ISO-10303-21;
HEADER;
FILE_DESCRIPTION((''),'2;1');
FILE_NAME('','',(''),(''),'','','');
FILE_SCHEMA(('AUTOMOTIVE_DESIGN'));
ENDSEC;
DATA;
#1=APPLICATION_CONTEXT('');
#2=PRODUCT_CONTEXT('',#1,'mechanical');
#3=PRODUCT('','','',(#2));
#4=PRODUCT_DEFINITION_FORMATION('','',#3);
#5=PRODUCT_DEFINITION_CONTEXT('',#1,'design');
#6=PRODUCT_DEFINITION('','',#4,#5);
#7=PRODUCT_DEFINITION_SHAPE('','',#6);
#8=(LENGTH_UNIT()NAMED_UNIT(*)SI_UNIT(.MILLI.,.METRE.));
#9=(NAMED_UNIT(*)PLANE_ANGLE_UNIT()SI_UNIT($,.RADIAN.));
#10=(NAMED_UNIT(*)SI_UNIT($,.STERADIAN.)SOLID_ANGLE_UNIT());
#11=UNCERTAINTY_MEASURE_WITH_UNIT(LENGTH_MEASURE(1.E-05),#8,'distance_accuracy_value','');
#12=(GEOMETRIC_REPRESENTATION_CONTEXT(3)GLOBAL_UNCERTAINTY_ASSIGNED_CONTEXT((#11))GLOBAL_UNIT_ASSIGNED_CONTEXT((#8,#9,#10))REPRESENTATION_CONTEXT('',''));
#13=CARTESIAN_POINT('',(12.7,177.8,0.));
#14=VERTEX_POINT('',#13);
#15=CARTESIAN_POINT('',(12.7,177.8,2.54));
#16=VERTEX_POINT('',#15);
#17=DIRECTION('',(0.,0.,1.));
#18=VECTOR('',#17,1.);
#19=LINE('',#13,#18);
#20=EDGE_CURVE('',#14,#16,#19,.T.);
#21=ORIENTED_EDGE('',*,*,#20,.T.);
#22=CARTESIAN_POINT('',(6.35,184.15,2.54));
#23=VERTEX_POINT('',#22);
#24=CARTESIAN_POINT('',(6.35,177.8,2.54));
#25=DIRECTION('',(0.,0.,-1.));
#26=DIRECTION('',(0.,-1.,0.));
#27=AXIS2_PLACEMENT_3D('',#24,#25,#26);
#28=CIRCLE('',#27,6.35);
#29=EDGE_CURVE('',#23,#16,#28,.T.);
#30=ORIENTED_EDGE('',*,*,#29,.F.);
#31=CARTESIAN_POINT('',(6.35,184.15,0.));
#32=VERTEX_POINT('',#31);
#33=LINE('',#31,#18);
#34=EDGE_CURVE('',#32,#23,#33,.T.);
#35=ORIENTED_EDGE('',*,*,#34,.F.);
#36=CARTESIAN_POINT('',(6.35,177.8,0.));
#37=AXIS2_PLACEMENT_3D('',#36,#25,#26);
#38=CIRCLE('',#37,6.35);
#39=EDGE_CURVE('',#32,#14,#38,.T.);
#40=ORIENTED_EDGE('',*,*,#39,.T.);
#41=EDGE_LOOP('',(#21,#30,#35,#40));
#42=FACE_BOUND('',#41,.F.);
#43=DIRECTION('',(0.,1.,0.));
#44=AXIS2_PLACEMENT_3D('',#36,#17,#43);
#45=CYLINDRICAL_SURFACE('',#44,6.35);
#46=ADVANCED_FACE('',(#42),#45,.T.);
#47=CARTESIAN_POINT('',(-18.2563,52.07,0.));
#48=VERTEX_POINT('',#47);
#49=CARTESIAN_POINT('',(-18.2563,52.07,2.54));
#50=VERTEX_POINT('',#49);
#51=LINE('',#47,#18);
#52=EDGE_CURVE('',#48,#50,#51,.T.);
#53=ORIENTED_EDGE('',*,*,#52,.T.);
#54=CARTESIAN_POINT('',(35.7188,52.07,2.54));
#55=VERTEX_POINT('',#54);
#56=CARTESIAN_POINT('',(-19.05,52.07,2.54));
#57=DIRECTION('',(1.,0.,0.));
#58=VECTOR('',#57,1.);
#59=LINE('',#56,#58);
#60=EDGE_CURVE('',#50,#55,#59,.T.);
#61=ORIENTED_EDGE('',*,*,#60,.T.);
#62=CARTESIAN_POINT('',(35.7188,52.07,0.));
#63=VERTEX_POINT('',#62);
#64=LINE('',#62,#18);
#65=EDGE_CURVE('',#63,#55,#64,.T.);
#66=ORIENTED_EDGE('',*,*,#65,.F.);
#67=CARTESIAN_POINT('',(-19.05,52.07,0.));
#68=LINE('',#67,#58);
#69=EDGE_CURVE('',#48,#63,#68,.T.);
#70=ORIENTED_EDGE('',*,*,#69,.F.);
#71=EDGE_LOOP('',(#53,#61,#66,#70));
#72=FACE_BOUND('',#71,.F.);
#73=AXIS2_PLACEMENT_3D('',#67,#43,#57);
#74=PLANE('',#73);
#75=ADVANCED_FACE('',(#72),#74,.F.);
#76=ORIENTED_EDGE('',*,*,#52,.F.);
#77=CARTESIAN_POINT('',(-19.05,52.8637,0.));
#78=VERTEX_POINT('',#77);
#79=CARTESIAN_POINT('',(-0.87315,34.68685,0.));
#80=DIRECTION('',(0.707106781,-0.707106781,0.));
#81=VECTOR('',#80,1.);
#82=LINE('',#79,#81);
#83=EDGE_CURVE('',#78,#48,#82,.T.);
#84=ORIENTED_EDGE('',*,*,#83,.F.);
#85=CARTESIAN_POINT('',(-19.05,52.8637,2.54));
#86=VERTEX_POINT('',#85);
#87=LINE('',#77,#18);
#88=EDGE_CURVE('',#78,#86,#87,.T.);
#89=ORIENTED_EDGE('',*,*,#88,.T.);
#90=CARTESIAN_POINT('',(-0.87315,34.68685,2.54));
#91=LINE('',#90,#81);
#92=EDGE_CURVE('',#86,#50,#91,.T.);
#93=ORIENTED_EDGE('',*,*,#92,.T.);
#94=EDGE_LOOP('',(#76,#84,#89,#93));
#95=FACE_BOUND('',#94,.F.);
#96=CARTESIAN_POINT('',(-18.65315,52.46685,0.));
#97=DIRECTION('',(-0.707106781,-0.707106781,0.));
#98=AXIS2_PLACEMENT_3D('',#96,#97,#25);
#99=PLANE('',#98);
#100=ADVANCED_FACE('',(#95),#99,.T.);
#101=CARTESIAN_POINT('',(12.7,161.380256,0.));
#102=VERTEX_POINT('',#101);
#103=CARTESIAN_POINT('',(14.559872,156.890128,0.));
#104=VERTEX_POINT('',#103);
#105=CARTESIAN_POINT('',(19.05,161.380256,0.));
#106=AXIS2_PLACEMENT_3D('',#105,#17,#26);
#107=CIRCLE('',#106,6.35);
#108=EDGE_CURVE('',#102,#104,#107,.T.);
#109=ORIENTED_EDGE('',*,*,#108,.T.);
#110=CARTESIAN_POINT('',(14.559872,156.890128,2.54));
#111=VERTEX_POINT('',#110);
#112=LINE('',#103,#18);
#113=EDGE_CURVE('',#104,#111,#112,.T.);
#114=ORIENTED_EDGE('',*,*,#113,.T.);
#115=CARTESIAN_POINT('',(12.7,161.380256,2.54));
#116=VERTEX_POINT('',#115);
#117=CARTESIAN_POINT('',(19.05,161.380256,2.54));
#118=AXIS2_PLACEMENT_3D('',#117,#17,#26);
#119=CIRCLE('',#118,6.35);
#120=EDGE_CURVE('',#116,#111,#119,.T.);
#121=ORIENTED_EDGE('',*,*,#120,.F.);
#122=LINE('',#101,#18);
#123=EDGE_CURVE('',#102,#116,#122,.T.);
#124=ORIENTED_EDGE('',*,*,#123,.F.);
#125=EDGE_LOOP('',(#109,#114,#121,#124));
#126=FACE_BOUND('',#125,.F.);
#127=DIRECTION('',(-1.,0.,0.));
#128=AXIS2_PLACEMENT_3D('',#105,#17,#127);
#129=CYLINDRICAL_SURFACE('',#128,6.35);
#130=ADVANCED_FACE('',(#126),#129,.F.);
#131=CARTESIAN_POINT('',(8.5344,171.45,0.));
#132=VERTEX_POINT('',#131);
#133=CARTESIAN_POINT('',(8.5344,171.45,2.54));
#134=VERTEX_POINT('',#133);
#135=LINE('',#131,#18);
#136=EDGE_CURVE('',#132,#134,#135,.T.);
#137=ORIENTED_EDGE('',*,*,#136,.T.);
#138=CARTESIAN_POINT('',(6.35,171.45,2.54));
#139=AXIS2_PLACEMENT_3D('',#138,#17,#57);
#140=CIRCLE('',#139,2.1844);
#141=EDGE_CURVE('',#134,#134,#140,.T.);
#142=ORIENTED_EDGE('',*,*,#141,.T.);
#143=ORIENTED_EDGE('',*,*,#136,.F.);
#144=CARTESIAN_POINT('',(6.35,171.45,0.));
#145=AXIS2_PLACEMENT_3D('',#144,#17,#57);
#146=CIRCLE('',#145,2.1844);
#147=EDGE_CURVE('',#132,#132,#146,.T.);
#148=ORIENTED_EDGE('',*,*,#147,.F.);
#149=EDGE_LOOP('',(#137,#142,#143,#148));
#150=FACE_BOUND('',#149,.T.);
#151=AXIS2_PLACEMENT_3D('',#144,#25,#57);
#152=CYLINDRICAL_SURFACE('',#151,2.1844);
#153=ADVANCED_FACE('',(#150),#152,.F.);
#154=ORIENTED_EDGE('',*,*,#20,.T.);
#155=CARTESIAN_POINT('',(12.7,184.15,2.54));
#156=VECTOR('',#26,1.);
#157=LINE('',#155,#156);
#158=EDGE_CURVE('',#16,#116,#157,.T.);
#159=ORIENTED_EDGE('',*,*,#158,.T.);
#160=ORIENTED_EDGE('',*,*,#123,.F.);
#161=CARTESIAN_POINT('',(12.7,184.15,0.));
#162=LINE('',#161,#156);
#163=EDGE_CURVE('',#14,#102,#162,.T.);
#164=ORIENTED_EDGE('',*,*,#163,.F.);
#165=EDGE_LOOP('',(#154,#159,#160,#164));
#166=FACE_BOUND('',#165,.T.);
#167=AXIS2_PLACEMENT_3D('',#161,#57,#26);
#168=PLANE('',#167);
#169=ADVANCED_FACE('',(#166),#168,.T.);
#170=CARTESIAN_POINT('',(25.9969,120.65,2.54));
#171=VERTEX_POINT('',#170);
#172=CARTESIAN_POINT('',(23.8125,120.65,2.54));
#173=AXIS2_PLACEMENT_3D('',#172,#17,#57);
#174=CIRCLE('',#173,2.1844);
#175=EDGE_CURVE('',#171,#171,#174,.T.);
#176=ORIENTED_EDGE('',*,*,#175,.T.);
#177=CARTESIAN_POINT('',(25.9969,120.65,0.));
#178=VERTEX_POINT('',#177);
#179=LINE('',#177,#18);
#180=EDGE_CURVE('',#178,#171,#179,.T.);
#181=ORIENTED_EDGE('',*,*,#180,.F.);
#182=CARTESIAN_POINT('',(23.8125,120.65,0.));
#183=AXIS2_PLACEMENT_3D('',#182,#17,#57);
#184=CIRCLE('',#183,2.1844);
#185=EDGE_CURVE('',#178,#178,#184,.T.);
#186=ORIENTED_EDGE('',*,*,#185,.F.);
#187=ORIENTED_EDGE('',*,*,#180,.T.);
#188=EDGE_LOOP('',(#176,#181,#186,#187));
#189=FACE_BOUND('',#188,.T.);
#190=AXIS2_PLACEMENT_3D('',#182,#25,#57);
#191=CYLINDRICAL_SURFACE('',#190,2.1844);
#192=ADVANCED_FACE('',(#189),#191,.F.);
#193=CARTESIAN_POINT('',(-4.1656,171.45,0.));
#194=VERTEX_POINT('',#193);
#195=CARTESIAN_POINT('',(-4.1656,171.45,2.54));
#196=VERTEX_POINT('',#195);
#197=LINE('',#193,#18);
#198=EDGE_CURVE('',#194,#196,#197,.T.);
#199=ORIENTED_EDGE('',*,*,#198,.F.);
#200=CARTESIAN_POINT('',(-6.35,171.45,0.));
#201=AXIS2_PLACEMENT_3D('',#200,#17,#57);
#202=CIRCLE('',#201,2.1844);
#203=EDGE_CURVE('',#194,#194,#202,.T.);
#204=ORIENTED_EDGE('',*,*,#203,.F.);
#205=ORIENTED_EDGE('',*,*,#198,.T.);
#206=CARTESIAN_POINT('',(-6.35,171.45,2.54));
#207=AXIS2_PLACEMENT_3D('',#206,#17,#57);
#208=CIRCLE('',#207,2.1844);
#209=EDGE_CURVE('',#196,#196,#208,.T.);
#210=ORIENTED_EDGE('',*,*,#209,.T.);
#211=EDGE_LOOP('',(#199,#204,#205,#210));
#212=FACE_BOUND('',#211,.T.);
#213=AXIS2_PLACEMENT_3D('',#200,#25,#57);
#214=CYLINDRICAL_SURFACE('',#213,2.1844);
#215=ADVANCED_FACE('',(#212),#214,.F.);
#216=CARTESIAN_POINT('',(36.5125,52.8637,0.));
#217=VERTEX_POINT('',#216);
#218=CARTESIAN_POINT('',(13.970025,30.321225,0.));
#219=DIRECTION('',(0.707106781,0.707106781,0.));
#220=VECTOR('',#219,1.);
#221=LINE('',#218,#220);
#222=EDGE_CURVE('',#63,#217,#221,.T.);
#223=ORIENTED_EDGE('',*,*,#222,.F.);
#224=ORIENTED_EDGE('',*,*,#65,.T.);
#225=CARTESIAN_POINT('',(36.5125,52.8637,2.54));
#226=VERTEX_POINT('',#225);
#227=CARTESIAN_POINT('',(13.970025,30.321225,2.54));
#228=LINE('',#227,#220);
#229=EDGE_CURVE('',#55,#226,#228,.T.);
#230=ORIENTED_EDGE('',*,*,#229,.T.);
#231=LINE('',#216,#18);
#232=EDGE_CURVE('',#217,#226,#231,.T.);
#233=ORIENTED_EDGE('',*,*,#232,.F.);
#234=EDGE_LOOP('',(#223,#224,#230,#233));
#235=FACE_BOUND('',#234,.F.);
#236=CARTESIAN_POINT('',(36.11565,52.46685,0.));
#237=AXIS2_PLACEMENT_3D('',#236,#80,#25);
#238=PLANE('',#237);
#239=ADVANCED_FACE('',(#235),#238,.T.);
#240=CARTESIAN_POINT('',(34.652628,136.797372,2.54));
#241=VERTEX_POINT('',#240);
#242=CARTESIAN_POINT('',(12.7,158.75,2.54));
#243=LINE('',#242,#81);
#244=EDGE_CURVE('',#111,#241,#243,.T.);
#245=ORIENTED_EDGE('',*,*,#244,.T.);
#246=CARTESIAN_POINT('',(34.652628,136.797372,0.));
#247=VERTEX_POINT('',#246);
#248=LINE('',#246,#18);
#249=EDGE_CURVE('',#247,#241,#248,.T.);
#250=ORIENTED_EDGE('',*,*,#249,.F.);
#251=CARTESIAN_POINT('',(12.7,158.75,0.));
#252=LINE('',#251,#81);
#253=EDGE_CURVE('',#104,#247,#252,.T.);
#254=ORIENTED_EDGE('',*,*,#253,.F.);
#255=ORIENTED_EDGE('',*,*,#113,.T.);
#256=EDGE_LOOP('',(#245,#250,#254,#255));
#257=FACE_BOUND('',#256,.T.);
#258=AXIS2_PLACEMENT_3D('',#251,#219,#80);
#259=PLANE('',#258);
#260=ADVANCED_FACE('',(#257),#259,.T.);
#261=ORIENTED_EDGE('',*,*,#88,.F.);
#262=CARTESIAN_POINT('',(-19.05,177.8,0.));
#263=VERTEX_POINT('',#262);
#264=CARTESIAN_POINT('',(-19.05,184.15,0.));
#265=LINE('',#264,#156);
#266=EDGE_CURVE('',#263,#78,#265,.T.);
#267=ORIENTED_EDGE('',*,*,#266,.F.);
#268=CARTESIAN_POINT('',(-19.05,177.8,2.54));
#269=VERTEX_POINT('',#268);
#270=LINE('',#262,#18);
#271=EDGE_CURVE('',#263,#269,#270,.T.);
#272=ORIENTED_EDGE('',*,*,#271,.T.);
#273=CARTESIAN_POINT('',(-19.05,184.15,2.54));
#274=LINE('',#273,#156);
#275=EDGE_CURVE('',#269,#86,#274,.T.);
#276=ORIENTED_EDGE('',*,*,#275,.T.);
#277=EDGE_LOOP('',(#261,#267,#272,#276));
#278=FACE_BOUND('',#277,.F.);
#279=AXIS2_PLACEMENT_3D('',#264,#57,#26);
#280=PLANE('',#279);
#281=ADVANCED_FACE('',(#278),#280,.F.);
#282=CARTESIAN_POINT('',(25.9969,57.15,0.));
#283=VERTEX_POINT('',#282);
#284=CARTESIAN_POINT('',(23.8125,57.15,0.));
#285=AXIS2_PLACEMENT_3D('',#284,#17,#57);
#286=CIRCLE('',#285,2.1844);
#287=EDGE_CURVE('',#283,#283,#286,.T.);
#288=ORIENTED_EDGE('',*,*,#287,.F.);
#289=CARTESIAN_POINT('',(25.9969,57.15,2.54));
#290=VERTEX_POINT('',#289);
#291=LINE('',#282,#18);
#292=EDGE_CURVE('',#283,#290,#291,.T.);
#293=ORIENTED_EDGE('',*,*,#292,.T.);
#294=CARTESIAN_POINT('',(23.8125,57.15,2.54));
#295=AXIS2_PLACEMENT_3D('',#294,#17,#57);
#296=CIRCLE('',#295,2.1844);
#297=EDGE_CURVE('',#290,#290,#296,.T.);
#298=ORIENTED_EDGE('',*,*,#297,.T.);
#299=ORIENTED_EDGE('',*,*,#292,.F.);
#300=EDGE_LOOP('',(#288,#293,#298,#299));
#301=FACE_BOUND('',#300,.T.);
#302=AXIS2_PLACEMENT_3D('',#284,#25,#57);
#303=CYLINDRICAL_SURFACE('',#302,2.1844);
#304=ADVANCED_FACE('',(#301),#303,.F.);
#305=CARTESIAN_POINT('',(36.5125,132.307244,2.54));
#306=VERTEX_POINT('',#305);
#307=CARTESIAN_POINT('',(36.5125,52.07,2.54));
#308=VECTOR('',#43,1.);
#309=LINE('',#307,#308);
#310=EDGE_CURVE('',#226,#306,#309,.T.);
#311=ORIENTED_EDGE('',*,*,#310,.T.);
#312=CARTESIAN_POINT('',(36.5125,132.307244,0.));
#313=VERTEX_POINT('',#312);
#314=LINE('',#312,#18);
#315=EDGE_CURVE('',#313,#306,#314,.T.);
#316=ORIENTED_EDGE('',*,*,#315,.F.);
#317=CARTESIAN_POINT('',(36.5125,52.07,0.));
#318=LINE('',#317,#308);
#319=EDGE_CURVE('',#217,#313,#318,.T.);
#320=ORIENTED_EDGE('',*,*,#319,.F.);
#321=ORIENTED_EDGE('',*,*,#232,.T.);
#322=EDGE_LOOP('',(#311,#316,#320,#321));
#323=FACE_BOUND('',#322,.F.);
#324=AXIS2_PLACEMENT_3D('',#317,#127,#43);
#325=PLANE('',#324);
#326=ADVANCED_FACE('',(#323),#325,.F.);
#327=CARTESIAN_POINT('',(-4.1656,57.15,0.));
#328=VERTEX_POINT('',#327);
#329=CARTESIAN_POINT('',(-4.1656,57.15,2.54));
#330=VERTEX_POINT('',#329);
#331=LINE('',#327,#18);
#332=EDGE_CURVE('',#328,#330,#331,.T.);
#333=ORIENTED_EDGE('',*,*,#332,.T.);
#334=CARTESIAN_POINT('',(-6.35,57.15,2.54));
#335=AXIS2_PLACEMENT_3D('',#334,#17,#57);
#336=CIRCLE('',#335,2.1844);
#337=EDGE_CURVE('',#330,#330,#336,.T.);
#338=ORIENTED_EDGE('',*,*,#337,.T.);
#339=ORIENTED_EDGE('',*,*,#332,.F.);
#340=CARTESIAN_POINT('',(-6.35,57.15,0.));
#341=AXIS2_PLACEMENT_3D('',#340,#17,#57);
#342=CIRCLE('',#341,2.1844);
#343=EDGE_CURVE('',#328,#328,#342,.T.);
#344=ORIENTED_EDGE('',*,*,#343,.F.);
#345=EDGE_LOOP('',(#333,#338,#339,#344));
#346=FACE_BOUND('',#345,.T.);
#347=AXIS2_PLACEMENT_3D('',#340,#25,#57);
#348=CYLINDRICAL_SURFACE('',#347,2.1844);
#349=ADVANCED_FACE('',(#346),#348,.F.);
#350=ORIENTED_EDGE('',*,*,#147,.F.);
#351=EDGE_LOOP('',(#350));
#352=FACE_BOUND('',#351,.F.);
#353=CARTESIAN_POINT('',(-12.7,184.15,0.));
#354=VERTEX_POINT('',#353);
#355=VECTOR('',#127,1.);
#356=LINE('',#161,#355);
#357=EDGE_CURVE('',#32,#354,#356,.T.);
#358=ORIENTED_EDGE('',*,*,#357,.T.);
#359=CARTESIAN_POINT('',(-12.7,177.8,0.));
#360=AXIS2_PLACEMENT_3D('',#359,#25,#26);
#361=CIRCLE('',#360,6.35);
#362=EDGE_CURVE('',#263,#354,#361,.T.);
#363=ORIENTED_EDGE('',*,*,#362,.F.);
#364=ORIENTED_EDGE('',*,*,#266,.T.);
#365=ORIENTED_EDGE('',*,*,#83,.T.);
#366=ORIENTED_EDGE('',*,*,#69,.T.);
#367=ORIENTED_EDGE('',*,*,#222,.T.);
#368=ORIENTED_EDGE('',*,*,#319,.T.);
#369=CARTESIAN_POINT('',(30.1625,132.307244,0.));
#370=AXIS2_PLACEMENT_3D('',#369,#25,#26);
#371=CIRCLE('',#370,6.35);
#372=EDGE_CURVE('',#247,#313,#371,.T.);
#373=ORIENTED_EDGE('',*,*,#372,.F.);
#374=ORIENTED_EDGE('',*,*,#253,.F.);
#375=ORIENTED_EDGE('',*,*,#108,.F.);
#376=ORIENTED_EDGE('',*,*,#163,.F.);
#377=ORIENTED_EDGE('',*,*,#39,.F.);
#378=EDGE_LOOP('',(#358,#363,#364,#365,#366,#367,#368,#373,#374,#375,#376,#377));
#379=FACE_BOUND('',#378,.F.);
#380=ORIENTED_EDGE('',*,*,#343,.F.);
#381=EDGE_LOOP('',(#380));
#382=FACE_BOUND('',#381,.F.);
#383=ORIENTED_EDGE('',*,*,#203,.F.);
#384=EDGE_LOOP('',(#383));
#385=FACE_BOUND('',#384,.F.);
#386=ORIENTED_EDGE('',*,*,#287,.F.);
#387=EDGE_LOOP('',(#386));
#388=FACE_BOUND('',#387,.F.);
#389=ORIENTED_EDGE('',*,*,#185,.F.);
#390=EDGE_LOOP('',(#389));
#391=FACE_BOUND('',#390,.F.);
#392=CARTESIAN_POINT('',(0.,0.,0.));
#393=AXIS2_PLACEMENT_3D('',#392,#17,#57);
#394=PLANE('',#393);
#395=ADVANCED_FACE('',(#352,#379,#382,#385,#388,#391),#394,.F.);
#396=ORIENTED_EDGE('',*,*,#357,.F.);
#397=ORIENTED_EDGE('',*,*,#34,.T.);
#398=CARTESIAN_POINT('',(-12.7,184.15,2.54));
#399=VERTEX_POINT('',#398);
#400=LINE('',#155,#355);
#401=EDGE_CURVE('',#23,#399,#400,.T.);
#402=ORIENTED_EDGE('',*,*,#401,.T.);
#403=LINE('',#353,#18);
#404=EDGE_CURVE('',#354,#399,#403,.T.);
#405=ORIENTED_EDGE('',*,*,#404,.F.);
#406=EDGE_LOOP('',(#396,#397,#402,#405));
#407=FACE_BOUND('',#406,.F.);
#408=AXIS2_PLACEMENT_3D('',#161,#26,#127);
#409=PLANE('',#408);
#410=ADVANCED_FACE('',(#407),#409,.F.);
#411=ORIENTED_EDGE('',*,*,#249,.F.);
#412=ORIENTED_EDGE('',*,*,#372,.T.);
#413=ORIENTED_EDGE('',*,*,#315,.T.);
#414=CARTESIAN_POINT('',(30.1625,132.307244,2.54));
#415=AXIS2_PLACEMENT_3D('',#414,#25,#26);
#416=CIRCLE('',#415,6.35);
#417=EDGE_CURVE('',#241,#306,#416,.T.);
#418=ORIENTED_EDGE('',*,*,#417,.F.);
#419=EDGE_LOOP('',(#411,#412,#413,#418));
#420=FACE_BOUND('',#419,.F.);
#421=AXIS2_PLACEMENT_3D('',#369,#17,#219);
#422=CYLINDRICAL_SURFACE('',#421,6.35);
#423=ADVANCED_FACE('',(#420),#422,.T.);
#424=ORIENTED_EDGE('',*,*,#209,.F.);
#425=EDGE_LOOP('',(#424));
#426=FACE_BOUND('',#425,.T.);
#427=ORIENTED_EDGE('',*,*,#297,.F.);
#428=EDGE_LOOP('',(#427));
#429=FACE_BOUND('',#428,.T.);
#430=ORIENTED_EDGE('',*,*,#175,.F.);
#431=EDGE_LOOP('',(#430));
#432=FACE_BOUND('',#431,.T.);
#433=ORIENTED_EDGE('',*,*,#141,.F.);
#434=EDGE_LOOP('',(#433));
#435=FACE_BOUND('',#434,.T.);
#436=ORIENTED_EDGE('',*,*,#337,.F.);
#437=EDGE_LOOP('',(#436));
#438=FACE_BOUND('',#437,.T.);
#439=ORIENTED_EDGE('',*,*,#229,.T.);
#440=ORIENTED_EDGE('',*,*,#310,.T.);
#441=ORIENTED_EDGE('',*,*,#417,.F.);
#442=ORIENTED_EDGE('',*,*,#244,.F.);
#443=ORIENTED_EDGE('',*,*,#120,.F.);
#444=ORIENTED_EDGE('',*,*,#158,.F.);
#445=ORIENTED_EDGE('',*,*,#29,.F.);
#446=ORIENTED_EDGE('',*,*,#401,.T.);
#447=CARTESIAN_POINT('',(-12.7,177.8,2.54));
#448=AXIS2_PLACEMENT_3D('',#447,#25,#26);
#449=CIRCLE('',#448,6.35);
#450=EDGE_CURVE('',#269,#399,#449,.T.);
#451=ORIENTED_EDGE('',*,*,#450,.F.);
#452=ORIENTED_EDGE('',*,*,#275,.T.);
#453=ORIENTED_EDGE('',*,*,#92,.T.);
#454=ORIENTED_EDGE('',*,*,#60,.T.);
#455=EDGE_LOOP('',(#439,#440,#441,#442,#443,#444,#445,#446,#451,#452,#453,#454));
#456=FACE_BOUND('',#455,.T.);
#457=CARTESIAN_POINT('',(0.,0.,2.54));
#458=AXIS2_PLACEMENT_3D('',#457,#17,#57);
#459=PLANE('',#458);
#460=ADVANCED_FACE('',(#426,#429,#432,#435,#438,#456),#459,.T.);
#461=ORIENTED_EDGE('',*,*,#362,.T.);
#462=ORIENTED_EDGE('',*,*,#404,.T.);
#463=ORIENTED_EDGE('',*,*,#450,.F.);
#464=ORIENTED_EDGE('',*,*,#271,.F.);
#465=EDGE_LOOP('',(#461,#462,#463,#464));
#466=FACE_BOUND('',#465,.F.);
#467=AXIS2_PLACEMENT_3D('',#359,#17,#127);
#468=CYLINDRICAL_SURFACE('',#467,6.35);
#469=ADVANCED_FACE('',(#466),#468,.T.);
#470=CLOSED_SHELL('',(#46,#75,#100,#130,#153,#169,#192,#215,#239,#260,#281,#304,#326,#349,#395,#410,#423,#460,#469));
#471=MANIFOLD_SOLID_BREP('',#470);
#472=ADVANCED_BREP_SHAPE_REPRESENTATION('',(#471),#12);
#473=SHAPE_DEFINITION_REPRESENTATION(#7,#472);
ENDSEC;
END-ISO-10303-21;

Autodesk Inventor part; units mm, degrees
ref_plane "YZ Plane" through (0, 0, 0) normal (1, 0, 0) x (0, 1, 0)
ref_plane "XZ Plane" through (0, 0, 0) normal (0, 1, 0) x (-1, 0, 0)
ref_plane "XY Plane" through (0, 0, 0) normal (0, 0, 1) x (1, 0, 0)
sketch "Sketch1" plane through (0, 0, 0) normal (0, 0, 1) x (1, 0, 0)
  circle A0 centre (-6.35, 171.45) radius 2.1844 projected
  circle A1 centre (6.35, 171.45) radius 2.1844 projected
  circle A2 centre (23.8125, 120.65) radius 2.1844 projected
  circle A3 centre (23.8125, 57.15) radius 2.1844 projected
  circle A4 centre (-6.35, 57.15) radius 2.1844 projected
  line L0 (-19.05, 52.07) -> (36.5125, 52.07)
  line L1 (36.5125, 52.07) -> (36.5125, 134.9375)
  line L2 (12.7, 184.15) -> (-19.05, 184.15)
  line L3 (-19.05, 184.15) -> (-19.05, 52.07)
  line L4 (12.7, 184.15) -> (12.7, 158.75)
  line L5 (12.7, 158.75) -> (36.5125, 134.9375)
  point P0 (0, 0)
  dimension "d0" = 12.7
  dimension "d2" = 12.7
  dimension "d3" = 5.08
  dimension "d4" = 12.7
  dimension "d15" = 25.4
  dimension "d16" = 31.75
  dimension "d17" = 135
extrude "Extrusion1" add sketch "Sketch1" along normal blind 2.54
fillet "Fillet1" radius 6.35 4 edges at (-19.05, 184.15, 1.27) (12.7, 184.15, 1.27) (12.7, 158.75, 1.27) (36.5125, 134.9375, 1.27)
chamfer "Chamfer1" distance 0.7937 angle 45 2 edges at (36.5125, 52.07, 1.27) (-19.05, 52.07, 1.27)
properties part number "funnelFront" material "white pla"
